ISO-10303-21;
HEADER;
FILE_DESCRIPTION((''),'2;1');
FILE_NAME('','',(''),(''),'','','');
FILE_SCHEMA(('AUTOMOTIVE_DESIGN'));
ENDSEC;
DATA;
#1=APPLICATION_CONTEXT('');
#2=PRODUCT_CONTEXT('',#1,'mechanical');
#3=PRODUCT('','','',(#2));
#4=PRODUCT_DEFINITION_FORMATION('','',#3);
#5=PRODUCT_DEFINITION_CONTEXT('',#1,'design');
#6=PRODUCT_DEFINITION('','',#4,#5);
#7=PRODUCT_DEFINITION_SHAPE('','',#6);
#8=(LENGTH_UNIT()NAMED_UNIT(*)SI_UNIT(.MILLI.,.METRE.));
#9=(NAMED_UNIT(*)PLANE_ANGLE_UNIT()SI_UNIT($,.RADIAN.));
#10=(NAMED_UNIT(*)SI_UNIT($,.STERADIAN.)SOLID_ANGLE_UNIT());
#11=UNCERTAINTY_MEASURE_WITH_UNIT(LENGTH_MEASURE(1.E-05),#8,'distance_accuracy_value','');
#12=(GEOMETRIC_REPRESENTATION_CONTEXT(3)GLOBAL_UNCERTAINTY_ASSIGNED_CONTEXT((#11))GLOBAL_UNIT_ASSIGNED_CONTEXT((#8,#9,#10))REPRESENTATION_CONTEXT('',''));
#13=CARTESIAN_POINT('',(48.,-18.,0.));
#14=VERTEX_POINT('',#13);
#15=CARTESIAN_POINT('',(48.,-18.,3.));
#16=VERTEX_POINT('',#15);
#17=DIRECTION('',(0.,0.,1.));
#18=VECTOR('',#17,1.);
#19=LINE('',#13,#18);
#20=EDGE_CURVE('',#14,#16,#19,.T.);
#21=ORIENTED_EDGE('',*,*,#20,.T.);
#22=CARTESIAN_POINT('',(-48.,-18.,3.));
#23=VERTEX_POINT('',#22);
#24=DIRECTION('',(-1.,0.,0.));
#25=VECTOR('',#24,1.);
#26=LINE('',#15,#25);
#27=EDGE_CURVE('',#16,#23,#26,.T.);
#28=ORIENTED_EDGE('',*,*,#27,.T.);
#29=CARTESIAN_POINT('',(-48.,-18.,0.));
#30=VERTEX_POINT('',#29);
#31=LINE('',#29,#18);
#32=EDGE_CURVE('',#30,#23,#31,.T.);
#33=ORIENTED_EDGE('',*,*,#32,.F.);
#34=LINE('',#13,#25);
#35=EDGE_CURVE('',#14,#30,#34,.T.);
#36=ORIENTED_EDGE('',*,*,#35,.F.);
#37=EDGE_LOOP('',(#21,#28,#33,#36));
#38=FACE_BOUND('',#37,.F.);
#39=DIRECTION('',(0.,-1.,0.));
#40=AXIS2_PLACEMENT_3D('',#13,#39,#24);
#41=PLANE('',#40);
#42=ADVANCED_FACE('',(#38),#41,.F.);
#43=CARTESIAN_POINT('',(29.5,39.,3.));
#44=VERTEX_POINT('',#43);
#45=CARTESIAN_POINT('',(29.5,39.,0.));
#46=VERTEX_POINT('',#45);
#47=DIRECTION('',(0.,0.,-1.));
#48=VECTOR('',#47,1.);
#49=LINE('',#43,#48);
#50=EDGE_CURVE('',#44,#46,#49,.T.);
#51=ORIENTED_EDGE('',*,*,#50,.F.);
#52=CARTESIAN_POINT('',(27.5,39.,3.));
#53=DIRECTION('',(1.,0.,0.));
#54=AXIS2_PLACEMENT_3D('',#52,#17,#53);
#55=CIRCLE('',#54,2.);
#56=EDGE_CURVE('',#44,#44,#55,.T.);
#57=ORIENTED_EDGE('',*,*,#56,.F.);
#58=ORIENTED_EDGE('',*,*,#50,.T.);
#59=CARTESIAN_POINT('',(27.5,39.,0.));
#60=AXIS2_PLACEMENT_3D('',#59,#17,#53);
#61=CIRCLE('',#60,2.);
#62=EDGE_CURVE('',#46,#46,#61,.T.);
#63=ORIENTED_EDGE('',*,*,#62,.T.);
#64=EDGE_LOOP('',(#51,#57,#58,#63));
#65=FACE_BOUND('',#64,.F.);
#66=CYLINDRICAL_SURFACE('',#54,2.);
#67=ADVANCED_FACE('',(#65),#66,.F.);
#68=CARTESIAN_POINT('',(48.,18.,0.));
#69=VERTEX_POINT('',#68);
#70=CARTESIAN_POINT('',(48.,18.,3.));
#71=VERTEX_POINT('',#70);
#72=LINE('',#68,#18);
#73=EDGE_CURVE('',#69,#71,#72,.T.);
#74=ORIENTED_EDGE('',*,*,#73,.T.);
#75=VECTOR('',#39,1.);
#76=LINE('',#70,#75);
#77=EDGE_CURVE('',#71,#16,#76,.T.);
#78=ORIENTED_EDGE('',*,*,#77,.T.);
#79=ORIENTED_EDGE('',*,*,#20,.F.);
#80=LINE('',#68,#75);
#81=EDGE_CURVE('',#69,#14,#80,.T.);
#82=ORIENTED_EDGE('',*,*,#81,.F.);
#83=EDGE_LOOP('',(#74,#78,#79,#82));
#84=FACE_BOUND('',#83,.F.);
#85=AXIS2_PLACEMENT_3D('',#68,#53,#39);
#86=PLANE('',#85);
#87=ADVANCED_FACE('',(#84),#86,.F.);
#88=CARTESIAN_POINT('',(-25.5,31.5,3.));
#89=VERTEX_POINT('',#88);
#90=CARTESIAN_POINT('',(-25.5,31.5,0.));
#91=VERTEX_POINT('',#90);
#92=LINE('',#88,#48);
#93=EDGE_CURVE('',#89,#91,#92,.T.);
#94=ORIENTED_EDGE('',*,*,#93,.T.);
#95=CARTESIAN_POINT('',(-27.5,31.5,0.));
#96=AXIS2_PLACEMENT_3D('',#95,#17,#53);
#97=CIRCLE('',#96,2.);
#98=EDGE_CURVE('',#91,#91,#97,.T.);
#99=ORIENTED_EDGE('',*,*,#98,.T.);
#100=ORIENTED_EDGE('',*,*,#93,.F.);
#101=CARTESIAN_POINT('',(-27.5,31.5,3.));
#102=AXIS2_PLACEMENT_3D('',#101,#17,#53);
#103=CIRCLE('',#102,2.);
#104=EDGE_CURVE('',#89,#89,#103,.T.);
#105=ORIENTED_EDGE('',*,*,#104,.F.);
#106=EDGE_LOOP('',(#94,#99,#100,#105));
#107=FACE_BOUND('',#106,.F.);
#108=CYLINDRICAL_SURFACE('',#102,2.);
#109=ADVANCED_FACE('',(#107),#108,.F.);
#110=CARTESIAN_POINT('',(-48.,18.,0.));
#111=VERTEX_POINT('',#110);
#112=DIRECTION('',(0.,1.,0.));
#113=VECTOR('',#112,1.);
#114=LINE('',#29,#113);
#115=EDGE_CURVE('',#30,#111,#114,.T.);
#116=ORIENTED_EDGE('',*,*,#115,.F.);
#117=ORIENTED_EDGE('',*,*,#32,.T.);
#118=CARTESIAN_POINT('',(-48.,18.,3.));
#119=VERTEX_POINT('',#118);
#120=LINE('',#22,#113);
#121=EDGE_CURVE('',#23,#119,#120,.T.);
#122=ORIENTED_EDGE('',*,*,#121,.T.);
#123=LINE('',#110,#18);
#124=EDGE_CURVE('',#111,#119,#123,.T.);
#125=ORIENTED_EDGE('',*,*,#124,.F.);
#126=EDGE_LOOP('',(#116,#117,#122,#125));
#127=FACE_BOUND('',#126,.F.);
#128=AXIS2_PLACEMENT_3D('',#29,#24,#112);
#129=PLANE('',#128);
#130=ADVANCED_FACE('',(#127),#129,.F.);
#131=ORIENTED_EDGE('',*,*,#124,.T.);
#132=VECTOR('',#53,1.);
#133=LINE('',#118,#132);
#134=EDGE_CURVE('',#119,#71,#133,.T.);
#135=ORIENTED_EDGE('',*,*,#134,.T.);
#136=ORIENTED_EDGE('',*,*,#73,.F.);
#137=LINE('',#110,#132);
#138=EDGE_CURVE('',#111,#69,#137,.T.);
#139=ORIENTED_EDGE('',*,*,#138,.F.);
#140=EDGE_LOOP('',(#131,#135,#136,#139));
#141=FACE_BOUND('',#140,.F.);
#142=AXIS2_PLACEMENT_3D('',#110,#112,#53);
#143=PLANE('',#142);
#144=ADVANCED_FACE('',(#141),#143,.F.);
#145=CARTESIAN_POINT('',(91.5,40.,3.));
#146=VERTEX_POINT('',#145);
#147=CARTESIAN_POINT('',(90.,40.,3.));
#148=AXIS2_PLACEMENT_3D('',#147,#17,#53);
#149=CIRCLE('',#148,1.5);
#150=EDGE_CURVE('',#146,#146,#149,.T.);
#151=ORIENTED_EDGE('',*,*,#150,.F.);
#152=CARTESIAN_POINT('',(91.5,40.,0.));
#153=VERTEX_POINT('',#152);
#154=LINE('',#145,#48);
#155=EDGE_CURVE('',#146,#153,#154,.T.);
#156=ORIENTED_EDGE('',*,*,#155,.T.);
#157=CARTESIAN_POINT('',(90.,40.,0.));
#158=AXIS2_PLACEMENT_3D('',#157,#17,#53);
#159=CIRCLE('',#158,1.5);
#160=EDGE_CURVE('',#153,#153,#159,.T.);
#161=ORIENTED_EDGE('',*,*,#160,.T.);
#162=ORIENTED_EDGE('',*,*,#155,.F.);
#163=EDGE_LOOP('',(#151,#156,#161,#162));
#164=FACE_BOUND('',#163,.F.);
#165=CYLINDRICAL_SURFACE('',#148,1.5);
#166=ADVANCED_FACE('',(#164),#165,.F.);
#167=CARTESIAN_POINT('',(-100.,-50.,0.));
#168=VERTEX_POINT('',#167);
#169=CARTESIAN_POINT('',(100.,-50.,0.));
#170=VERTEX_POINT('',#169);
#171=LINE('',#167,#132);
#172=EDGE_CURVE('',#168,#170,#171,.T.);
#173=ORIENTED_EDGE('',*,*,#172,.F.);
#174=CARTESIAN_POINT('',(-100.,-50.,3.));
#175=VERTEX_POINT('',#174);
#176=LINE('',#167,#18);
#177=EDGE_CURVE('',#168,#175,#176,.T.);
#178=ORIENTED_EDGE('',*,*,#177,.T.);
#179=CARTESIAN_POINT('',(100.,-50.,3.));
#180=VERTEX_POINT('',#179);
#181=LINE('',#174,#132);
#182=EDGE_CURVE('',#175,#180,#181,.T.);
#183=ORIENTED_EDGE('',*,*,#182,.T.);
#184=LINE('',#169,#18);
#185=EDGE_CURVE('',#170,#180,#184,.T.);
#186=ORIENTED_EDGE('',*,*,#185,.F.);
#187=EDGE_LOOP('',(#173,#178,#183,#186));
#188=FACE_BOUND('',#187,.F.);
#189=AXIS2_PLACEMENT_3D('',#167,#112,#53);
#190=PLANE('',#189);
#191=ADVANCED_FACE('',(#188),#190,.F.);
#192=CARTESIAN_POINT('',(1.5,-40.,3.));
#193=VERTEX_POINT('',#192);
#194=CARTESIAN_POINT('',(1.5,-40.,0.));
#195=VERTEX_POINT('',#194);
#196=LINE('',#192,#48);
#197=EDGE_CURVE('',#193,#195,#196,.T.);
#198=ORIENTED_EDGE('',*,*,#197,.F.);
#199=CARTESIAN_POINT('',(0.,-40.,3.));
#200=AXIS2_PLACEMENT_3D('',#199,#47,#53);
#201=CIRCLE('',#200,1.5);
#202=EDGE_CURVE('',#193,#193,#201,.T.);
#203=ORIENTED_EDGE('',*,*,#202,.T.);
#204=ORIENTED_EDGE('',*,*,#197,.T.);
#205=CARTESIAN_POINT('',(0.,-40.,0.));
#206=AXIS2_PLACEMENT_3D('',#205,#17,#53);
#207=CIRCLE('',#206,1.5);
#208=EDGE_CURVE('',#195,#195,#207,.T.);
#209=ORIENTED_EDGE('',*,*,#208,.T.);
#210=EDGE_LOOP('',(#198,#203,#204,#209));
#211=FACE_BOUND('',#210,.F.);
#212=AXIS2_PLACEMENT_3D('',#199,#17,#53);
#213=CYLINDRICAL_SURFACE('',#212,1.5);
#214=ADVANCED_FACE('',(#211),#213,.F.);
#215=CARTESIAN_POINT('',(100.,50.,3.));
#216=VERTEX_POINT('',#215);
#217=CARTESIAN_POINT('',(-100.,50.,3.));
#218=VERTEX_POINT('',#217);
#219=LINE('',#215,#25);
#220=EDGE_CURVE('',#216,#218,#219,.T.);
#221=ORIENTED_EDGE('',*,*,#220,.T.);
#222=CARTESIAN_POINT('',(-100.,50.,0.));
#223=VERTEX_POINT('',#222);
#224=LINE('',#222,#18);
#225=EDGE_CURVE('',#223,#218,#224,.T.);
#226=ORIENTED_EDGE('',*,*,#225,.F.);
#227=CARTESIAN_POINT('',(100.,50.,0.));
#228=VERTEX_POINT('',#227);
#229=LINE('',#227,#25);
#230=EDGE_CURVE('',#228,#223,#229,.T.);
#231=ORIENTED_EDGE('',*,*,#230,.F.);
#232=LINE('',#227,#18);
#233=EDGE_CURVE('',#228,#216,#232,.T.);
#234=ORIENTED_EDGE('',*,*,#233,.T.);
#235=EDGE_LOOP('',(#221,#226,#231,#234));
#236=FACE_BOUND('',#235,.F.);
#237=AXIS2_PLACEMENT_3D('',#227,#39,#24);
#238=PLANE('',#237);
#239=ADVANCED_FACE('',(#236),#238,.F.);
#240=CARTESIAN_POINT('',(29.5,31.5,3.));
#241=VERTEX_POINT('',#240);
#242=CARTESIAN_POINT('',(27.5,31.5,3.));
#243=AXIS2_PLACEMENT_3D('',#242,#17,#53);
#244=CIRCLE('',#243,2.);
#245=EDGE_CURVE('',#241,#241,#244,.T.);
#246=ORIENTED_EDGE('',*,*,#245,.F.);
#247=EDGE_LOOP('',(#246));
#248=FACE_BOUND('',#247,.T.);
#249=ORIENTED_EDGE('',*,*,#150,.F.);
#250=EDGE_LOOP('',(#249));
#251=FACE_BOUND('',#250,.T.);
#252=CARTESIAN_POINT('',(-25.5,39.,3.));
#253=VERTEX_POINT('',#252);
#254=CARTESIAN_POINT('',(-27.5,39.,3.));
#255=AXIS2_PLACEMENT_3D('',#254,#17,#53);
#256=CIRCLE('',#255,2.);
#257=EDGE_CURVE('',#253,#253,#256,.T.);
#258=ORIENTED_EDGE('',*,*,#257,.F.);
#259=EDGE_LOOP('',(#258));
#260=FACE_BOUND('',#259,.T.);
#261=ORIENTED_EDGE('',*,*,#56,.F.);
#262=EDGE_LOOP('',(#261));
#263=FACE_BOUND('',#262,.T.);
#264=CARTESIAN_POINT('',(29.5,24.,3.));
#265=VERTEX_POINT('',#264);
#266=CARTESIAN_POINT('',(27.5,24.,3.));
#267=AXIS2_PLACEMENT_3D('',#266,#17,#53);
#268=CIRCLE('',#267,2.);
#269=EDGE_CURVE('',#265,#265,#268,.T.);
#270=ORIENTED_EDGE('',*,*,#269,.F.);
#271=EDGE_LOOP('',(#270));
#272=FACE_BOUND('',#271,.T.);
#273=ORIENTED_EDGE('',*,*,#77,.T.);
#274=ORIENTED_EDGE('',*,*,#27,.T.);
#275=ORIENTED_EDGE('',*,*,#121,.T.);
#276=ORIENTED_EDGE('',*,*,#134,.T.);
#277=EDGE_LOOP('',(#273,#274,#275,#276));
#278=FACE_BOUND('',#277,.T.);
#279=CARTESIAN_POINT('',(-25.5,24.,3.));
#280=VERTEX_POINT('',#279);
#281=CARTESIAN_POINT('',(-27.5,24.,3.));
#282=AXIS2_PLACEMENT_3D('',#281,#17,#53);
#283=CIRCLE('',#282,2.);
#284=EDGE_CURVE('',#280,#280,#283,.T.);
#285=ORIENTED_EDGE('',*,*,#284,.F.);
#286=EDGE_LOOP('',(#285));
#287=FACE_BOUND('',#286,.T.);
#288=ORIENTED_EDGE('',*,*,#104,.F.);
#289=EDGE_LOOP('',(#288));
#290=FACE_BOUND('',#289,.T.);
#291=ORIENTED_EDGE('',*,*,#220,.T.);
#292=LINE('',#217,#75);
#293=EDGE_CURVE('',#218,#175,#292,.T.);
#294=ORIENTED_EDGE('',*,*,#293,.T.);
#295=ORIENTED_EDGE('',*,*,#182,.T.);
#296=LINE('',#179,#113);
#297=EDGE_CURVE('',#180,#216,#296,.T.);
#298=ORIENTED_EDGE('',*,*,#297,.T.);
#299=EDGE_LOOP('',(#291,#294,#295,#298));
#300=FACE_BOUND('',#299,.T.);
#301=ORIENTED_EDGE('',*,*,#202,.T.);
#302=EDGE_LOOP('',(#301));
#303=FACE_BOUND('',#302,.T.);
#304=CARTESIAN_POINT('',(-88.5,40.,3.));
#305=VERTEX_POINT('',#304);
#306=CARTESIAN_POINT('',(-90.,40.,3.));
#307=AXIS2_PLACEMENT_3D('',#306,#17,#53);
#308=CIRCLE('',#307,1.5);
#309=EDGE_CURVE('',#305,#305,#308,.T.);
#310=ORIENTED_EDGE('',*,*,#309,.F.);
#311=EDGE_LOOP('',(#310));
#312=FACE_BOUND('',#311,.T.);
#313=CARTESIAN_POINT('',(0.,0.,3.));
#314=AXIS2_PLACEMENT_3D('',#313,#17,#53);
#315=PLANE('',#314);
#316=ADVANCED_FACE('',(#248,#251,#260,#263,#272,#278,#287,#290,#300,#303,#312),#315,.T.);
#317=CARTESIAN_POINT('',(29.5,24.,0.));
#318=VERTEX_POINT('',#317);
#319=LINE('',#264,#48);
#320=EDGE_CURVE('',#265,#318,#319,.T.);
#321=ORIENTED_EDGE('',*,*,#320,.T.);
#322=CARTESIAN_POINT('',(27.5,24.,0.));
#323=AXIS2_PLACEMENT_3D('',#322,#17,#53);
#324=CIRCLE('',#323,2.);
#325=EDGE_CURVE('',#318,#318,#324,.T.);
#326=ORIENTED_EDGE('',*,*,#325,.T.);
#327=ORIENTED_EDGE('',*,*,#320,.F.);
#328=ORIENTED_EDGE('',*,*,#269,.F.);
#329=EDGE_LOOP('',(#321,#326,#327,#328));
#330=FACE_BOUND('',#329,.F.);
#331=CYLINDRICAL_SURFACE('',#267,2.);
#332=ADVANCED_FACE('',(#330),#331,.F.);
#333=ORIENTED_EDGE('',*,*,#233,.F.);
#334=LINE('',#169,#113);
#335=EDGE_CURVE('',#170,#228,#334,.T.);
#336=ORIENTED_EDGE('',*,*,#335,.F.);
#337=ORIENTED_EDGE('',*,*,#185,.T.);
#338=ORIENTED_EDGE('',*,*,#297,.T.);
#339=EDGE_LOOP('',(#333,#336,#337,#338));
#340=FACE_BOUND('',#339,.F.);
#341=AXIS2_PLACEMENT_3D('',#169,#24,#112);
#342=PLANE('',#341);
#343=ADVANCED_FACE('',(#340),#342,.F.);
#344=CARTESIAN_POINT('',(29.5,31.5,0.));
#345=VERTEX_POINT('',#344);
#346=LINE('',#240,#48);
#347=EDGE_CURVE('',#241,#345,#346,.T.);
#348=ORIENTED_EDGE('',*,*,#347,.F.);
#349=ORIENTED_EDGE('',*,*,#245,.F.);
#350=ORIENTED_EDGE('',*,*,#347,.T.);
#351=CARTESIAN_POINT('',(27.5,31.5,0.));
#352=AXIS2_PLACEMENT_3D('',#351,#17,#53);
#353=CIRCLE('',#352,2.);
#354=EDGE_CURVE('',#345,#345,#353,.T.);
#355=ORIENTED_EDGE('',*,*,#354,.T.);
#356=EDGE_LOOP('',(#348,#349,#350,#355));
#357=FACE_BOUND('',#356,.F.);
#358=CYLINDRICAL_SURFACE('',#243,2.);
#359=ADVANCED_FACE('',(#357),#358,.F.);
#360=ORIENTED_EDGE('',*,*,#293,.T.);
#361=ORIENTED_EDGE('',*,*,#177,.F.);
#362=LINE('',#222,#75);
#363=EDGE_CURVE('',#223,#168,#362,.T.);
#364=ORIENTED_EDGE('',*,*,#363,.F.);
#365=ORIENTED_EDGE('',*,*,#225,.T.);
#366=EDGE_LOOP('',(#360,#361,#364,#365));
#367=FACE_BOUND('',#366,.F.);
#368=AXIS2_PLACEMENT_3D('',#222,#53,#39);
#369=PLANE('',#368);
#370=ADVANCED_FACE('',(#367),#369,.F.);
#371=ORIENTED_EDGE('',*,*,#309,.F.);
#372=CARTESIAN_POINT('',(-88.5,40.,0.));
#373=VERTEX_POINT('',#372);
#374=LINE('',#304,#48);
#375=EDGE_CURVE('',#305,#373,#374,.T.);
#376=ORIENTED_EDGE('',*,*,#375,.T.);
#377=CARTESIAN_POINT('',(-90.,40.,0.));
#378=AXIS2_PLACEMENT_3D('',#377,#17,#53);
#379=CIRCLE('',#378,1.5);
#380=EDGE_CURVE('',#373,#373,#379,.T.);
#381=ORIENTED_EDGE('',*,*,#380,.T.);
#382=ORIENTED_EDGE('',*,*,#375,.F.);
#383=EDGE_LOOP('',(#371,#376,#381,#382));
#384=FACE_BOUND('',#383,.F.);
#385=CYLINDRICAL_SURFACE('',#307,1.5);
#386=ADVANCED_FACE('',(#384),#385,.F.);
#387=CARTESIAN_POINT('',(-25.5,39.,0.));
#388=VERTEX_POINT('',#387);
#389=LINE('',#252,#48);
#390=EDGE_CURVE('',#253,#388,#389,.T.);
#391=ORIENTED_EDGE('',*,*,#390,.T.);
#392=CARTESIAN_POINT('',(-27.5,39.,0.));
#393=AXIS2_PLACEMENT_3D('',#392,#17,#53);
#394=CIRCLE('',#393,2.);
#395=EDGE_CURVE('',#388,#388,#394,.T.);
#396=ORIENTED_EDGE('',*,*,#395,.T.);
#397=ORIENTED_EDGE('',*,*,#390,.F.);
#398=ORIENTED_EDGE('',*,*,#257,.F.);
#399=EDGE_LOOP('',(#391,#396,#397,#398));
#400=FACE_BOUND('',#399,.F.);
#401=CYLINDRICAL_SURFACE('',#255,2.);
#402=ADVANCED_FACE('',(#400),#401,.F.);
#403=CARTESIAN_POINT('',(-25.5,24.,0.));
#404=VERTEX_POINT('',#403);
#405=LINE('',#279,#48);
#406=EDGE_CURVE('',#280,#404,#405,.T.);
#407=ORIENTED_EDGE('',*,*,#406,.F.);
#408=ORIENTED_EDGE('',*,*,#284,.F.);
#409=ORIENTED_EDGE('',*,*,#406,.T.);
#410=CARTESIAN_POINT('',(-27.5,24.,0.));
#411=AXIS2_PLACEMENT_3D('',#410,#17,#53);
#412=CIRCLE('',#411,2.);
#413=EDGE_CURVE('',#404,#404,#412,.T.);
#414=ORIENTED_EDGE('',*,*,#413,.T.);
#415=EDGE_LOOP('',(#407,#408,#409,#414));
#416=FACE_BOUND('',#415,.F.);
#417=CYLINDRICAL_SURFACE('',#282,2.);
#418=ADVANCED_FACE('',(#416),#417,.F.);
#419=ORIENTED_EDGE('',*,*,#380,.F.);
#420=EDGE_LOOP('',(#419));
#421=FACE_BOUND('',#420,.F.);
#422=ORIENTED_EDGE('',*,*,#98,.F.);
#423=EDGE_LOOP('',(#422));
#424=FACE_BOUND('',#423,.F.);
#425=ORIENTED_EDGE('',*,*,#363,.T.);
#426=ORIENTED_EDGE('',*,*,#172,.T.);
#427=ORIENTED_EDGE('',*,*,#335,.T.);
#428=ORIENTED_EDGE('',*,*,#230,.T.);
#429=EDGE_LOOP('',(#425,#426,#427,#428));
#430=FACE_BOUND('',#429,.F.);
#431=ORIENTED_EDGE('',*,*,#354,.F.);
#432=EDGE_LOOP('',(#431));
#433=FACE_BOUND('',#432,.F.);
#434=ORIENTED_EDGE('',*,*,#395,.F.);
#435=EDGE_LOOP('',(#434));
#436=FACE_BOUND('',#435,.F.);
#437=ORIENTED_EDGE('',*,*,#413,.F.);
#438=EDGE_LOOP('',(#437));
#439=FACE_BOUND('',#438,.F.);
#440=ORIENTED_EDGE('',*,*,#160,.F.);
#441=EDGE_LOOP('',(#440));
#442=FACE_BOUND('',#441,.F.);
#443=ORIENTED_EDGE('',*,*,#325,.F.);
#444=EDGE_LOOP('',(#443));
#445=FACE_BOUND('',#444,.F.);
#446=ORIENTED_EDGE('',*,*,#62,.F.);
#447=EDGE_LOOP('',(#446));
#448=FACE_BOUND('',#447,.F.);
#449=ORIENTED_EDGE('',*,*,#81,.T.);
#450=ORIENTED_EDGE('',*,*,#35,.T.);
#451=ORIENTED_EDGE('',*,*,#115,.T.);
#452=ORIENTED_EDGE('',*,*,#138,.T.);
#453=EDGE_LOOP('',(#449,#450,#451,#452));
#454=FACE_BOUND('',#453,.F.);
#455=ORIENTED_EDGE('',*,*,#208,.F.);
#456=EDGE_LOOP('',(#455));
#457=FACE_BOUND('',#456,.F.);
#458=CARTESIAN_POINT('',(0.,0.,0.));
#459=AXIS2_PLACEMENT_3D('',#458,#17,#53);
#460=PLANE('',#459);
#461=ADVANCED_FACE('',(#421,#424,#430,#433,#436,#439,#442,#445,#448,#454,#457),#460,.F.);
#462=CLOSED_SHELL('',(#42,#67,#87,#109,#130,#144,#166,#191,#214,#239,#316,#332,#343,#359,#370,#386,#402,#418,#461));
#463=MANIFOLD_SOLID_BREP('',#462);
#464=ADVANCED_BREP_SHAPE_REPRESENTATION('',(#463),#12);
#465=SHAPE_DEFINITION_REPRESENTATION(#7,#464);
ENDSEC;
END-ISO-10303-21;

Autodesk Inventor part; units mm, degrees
ref_plane "YZ Plane" through (0, 0, 0) normal (1, 0, 0) x (0, 1, 0)
ref_plane "XZ Plane" through (0, 0, 0) normal (0, 1, 0) x (-1, 0, 0)
ref_plane "XY Plane" through (0, 0, 0) normal (0, 0, 1) x (1, 0, 0)
sketch "Эскиз1" plane through (0, 0, 0) normal (0, 0, 1) x (1, 0, 0)
  line L0 (-100, -50) -> (100, -50)
  line L1 (100, -50) -> (100, 50)
  line L2 (100, 50) -> (-100, 50)
  line L3 (-100, 50) -> (-100, -50)
  line L4 (-100, -50) -> (100, 50) construction
  line L5 (100, -50) -> (-100, 50) construction
  line L6 (-45, -15) -> (45, -15) construction
  line L7 (45, -15) -> (45, 15) construction
  line L8 (45, 15) -> (-45, 15) construction
  line L9 (-45, 15) -> (-45, -15) construction
  line L10 (-45, -15) -> (45, 15) construction
  line L11 (45, -15) -> (-45, 15) construction
  line L12 (0, 15) -> (0, 18) construction
  line L13 (-45, 15) -> (-48, 15) construction
  line L14 (48, -18) -> (-48, -18)
  line L15 (-48, -18) -> (-48, 18)
  line L16 (-48, 18) -> (48, 18)
  line L17 (48, 18) -> (48, -18)
  line L18 (48, -18) -> (-48, 18) construction
  line L19 (-48, -18) -> (48, 18) construction
  point P0 (0, 0)
  dimension "d0" = 200
  dimension "d1" = 100
  dimension "d2" = 90
  dimension "d3" = 30
  dimension "d4" = 3
  dimension "d5" = 3
extrude "Выдавливание1" add sketch "Эскиз1" along normal blind 3
ref_plane "РабПлоскость1" through (0, -50, 0) normal (1, 0, 0) x (0, 0, -1)
sketch "Эскиз2" plane through (0, 0, 3) normal (0, 0, 1) x (1, 0, 0)
  line L0 (-48, -18) -> (-48, 18) projected
  line L1 (-48, 18) -> (48, 18) projected
  line L2 (48, 18) -> (48, -18) projected
  line L3 (48, -18) -> (-48, -18) projected
  line L4 (-100, -50) -> (100, -50) projected
  line L5 (100, -50) -> (100, 50) projected
  line L6 (100, 50) -> (-100, 50) projected
  line L7 (-100, 50) -> (-100, -50) projected
  line L8 (48, 18) -> (33.5, 18) construction
  line L9 (33.5, 18) -> (33.5, 50) construction
  line L10 (33.5, 18) -> (27.5, 18) construction
  line L11 (48, 18) -> (-48, 18) construction
  line L12 (27.5, 18) -> (27.5, 50) construction
  line L13 (100, 50) -> (-100, 50) construction
  line L14 (27.5, 18) -> (27.5, 24) construction
  circle A0 centre (27.5, 24) radius 2
  circle A1 centre (27.5, 31.5) radius 2
  circle A2 centre (27.5, 39) radius 2
  line L15 (0, 18) -> (0, 50)
  line L16 (-33.5, 18) -> (-27.5, 18) construction
  line L17 (-27.5, 18) -> (-27.5, 24) construction
  circle A3 centre (-27.5, 24) radius 2
  circle A4 centre (-27.5, 31.5) radius 2
  circle A5 centre (-27.5, 39) radius 2
  point P0 (0, 0)
  dimension "d8" = 14.5
  dimension "d9" = 6
  dimension "d10" = 6
  dimension "d11" = 4
  dimension "d14" = 7.5
extrude "Выдавливание2" cut sketch "Эскиз2" against normal blind 10 contours A0 | A1 | A2 | A3 | A4 | A5
sketch "Эскиз3" plane through (0, 0, 3) normal (0, 0, 1) x (1, 0, 0)
  circle A0 centre (-27.5, 31.5) radius 2 projected
  circle A1 centre (27.5, 39) radius 2 projected
  circle A2 centre (27.5, 24) radius 2 projected
  circle A3 centre (27.5, 31.5) radius 2 projected
  circle A4 centre (-27.5, 24) radius 2 projected
  circle A5 centre (-27.5, 39) radius 2 projected
  line L0 (-48, -18) -> (-48, 18) projected
  line L1 (-48, 18) -> (48, 18) projected
  line L2 (48, 18) -> (48, -18) projected
  line L3 (48, -18) -> (-48, -18) projected
  line L4 (-100, -50) -> (100, -50) projected
  line L5 (100, -50) -> (100, 50) projected
  line L6 (100, 50) -> (-100, 50) projected
  line L7 (-100, 50) -> (-100, -50) projected
  line L8 (-100, 50) -> (-90, 50) construction
  line L9 (-90, 50) -> (-90, 40) construction
  line L10 (-90, 40) -> (-100, 40) construction
  line L11 (-100, 40) -> (-100, 50) construction
  circle A6 centre (-90, 40) radius 1.5
  line L12 (-100, 50) -> (-100, -50) projected
  line L13 (-100, 0) -> (100, 0)
  line L14 (100, -50) -> (100, 50) projected
  line L15 (100, 50) -> (-100, 50) projected
  line L16 (0, 50) -> (0, -50)
  line L17 (-100, -50) -> (100, -50) projected
  circle A7 centre (90, 40) radius 1.5
  line L18 (0, -50) -> (0, -40) construction
  circle A8 centre (0, -40) radius 1.5
  point P0 (0, 0)
  dimension "d21" = 10
  dimension "d22" = 10
  dimension "d23" = 3
  dimension "d24" = 10
  dimension "d25" = 3
extrude "Выдавливание3" cut sketch "Эскиз3" against normal blind 10 contours A8 L16 | L16 A8 | A6 | A7
properties part number "Up Base"
